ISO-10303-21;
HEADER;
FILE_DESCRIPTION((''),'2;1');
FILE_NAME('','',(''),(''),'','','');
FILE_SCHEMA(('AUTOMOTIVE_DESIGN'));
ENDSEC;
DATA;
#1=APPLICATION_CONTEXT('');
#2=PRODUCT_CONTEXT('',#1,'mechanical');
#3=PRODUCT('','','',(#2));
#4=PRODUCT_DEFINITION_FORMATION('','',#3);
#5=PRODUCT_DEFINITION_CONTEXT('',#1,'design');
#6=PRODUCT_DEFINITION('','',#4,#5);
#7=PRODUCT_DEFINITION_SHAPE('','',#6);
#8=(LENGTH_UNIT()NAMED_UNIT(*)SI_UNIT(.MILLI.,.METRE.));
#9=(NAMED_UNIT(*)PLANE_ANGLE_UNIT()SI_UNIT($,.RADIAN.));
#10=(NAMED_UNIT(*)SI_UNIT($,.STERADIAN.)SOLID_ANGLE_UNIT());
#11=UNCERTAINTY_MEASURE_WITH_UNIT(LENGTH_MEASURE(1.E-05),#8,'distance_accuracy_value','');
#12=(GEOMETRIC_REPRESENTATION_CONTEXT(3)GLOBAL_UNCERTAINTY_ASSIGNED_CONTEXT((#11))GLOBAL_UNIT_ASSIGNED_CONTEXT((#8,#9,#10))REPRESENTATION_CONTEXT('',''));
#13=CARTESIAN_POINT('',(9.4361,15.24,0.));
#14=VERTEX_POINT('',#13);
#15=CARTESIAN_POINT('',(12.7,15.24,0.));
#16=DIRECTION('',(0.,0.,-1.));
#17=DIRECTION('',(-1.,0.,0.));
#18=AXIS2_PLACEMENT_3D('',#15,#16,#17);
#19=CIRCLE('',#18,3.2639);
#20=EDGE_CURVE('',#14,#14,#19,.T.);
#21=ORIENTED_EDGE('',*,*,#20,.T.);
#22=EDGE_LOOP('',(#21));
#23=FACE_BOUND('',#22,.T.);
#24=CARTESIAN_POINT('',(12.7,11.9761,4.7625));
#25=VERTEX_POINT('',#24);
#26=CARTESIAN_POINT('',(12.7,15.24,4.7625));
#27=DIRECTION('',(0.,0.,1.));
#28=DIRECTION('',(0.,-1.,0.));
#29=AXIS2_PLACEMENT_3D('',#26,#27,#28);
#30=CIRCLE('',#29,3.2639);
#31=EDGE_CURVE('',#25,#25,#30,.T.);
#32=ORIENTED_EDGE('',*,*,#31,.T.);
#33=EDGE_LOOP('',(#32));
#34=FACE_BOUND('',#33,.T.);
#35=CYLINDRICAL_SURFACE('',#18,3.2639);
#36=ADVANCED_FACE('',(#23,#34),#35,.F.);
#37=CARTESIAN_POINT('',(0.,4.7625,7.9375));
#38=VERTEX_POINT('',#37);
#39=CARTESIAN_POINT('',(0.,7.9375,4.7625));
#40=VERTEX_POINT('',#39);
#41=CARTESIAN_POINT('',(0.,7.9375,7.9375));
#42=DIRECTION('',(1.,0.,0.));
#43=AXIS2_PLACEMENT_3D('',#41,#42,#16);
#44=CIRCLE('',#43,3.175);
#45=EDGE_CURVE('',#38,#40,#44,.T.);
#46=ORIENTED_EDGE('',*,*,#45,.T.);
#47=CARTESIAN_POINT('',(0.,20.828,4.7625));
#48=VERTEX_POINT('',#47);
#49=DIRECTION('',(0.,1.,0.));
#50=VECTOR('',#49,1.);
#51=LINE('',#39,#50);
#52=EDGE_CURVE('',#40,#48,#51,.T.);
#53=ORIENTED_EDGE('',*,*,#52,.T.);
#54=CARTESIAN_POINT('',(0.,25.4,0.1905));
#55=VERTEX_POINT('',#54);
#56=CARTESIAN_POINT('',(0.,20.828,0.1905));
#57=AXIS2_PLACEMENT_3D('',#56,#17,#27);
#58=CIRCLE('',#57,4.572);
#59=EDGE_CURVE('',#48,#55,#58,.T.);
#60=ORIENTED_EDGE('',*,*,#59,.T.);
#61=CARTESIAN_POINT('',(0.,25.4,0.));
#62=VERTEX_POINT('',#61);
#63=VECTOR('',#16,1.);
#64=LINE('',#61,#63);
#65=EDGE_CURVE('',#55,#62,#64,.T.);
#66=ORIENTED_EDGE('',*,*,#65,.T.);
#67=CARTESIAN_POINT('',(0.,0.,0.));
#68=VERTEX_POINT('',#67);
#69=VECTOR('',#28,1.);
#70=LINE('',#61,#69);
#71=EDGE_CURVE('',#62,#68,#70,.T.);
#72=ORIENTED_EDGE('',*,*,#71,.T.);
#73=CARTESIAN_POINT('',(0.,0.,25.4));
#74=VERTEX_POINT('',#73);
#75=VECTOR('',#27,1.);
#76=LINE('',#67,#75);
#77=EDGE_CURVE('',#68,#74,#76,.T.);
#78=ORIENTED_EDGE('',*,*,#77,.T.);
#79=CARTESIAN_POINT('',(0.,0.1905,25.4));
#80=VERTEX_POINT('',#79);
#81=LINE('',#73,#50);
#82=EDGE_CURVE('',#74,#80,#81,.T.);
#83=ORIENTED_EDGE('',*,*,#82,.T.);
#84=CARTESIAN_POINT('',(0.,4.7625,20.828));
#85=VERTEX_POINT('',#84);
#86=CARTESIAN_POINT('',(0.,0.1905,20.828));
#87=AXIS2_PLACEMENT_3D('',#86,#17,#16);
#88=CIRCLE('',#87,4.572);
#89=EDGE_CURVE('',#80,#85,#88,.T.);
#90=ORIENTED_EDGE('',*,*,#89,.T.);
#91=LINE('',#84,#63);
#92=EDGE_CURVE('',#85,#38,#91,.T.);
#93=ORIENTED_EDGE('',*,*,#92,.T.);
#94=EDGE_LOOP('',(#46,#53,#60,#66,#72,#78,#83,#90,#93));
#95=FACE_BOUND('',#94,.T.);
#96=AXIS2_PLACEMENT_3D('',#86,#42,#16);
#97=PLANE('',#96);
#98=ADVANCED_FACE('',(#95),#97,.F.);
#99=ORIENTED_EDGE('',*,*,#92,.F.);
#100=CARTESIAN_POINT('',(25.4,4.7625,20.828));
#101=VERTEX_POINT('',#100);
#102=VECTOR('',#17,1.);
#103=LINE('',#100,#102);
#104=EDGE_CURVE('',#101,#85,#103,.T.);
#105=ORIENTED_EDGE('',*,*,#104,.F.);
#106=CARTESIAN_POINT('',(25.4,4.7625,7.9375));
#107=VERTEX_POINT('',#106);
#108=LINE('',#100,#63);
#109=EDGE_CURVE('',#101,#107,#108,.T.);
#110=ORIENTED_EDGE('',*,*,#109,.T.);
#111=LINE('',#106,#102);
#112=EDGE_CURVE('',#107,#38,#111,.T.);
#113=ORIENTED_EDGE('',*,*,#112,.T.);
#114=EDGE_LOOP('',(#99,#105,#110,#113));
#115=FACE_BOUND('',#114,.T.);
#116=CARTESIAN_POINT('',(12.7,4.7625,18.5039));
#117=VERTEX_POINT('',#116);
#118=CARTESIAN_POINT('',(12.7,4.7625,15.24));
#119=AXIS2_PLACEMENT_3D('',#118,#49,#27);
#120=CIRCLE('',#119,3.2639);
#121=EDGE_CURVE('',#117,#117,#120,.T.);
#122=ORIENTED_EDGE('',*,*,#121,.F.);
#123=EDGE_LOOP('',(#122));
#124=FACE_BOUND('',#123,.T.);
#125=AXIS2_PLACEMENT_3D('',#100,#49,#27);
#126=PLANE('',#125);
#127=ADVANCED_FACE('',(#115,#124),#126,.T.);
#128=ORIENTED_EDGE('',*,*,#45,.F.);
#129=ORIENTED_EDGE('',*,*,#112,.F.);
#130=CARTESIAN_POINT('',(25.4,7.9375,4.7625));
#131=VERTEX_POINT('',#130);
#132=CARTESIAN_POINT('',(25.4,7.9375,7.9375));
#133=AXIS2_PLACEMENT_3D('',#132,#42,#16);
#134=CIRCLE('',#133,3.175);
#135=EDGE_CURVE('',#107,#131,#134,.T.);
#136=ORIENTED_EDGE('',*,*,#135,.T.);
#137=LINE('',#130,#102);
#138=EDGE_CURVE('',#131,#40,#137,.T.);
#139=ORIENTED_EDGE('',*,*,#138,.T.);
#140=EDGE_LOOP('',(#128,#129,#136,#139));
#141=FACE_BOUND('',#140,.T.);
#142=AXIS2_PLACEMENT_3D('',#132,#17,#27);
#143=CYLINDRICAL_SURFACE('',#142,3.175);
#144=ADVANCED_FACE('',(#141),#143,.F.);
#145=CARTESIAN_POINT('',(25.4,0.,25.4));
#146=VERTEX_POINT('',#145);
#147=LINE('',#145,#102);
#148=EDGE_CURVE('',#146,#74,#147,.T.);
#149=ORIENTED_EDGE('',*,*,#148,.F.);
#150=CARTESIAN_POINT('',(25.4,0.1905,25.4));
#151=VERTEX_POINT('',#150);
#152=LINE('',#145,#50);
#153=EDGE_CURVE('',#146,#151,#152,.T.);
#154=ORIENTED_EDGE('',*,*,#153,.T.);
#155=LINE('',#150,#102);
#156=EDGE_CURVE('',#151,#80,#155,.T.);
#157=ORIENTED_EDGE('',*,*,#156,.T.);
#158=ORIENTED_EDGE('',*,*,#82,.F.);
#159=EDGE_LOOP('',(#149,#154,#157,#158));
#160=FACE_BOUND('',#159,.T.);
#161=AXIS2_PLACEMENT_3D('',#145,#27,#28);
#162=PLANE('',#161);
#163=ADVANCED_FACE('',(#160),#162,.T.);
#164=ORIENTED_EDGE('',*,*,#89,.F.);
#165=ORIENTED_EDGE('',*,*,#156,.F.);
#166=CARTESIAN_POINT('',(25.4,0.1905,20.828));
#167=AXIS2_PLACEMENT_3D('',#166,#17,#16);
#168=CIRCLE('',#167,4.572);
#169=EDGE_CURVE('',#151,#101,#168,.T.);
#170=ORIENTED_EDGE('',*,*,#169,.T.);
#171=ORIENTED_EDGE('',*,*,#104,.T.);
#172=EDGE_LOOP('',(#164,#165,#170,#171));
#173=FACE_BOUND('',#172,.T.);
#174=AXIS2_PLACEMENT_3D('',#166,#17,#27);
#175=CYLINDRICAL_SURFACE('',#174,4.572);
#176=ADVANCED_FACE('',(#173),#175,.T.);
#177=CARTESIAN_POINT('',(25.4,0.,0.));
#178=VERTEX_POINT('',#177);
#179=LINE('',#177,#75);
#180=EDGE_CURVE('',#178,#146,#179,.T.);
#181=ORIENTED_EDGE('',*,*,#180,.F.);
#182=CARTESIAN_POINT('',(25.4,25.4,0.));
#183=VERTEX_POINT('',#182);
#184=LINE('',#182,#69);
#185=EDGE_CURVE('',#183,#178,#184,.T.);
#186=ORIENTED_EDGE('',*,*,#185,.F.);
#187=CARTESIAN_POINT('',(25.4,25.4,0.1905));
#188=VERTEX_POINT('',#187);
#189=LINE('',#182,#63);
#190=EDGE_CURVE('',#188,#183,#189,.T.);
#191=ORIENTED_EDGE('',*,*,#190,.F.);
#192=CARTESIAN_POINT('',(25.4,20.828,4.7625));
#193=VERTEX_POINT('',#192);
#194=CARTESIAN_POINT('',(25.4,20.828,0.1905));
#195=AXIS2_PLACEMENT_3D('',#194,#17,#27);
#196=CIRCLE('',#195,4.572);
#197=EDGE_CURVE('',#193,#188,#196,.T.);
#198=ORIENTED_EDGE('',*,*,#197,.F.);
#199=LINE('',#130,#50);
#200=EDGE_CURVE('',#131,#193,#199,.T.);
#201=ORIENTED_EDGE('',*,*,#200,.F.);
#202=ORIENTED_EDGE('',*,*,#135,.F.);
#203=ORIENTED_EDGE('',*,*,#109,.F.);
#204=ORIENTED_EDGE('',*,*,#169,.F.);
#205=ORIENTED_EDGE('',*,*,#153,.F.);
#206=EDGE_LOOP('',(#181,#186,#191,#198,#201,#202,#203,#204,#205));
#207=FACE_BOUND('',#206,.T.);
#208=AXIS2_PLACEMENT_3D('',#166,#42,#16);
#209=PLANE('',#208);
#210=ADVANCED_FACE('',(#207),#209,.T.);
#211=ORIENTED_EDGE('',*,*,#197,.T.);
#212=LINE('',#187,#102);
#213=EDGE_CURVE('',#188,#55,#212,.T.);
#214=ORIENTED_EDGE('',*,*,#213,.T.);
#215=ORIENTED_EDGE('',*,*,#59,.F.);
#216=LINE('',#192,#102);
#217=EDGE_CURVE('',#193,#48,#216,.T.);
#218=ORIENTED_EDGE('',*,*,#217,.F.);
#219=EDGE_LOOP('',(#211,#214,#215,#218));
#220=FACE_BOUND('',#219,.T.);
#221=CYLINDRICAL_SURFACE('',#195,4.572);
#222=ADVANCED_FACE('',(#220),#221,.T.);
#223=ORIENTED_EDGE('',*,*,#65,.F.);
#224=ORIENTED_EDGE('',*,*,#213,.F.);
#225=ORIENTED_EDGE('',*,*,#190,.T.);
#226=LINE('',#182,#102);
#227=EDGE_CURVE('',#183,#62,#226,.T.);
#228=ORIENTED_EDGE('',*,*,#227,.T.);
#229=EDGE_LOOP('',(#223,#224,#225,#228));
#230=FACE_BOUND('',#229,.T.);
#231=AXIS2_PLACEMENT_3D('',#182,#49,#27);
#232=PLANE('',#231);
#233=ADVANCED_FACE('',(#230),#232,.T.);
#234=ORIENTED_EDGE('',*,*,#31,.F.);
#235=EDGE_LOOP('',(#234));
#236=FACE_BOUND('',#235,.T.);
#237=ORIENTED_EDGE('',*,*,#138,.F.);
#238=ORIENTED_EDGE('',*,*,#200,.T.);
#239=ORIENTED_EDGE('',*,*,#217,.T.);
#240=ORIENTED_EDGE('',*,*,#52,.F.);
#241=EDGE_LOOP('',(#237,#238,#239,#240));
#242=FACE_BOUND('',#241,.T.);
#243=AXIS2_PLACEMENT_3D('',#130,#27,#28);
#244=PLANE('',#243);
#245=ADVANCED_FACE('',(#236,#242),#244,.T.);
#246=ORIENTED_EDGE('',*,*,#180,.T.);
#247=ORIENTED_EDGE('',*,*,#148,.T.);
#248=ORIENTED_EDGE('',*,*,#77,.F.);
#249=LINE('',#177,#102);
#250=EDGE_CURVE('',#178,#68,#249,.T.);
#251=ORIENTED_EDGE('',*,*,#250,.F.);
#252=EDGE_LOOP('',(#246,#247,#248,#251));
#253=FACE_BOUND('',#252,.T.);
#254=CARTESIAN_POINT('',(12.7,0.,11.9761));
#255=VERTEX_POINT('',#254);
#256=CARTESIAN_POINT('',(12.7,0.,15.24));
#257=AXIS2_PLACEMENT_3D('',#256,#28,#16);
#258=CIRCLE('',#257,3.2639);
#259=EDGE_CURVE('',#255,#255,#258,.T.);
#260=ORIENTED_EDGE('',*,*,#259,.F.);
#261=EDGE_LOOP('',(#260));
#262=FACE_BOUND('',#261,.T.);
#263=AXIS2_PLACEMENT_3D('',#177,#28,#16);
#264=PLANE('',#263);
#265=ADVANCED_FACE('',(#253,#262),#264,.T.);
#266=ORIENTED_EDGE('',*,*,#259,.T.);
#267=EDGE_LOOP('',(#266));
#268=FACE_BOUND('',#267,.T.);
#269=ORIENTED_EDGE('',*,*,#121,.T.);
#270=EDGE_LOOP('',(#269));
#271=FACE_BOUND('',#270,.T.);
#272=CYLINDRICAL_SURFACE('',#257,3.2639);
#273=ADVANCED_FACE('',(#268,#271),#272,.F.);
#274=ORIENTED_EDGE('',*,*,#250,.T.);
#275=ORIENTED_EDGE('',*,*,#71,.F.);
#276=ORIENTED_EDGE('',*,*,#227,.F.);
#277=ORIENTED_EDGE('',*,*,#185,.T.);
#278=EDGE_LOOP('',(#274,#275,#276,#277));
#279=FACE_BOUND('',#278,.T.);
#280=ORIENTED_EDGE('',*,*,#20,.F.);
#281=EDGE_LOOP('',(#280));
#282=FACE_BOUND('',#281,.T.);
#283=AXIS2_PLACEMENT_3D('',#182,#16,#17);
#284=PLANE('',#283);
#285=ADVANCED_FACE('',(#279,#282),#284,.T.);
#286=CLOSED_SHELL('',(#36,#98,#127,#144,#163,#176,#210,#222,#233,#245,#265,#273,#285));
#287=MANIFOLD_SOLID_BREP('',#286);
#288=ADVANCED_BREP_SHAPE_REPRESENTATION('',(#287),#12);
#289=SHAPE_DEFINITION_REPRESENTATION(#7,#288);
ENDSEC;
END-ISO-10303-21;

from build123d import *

# Parameters (mm, degrees)
BOSS_EXTRUDE1_DEPTH     = 25.4
F_1_4_CLEARANCE_HOLE1_D = 6.5278
F_1_4_CLEARANCE_HOLE2_D = 6.5278


with BuildPart() as part:
    # Sketch1 → Boss-Extrude1 (new body)
    with BuildSketch(Plane(origin=(0, -22.225, 0), x_dir=(0, -1, 0), z_dir=(-1, 0, 0))):
        with BuildLine():
            Line((-22.225, 0), (-22.225, 25.4))
            Line((-22.225, 25.4), (-22.4155, 25.4))
            ThreePointArc((-22.4155, 25.4), (-25.648392204, 24.060892204), (-26.9875, 20.828))
            Line((-26.9875, 20.828), (-26.9875, 7.9375))
            ThreePointArc((-26.9875, 7.9375), (-27.91743597, 5.69243597), (-30.1625, 4.7625))
            Line((-30.1625, 4.7625), (-43.053, 4.7625))
            ThreePointArc((-43.053, 4.7625), (-46.285892204, 3.423392204), (-47.625, 0.1905))
            Line((-47.625, 0.1905), (-47.625, 0))
            Line((-47.625, 0), (-22.225, 0))
        make_face()
    extrude(amount=-BOSS_EXTRUDE1_DEPTH)

    # 1/4 Clearance Hole1 (through all)
    with Locations(Plane(origin=(0, 0, 0), x_dir=(-1, 0, 0), z_dir=(0, 0, -1))):
        with Locations((-12.7, 15.24)):
            Hole(F_1_4_CLEARANCE_HOLE1_D / 2)

    # 1/4 Clearance Hole2 (through all)
    with Locations(Plane(origin=(0, 0, 0), x_dir=(-1, 0, 0), z_dir=(0, -1, 0))):
        with Locations((-12.7, -15.24)):
            Hole(F_1_4_CLEARANCE_HOLE2_D / 2)


solid = part.part
